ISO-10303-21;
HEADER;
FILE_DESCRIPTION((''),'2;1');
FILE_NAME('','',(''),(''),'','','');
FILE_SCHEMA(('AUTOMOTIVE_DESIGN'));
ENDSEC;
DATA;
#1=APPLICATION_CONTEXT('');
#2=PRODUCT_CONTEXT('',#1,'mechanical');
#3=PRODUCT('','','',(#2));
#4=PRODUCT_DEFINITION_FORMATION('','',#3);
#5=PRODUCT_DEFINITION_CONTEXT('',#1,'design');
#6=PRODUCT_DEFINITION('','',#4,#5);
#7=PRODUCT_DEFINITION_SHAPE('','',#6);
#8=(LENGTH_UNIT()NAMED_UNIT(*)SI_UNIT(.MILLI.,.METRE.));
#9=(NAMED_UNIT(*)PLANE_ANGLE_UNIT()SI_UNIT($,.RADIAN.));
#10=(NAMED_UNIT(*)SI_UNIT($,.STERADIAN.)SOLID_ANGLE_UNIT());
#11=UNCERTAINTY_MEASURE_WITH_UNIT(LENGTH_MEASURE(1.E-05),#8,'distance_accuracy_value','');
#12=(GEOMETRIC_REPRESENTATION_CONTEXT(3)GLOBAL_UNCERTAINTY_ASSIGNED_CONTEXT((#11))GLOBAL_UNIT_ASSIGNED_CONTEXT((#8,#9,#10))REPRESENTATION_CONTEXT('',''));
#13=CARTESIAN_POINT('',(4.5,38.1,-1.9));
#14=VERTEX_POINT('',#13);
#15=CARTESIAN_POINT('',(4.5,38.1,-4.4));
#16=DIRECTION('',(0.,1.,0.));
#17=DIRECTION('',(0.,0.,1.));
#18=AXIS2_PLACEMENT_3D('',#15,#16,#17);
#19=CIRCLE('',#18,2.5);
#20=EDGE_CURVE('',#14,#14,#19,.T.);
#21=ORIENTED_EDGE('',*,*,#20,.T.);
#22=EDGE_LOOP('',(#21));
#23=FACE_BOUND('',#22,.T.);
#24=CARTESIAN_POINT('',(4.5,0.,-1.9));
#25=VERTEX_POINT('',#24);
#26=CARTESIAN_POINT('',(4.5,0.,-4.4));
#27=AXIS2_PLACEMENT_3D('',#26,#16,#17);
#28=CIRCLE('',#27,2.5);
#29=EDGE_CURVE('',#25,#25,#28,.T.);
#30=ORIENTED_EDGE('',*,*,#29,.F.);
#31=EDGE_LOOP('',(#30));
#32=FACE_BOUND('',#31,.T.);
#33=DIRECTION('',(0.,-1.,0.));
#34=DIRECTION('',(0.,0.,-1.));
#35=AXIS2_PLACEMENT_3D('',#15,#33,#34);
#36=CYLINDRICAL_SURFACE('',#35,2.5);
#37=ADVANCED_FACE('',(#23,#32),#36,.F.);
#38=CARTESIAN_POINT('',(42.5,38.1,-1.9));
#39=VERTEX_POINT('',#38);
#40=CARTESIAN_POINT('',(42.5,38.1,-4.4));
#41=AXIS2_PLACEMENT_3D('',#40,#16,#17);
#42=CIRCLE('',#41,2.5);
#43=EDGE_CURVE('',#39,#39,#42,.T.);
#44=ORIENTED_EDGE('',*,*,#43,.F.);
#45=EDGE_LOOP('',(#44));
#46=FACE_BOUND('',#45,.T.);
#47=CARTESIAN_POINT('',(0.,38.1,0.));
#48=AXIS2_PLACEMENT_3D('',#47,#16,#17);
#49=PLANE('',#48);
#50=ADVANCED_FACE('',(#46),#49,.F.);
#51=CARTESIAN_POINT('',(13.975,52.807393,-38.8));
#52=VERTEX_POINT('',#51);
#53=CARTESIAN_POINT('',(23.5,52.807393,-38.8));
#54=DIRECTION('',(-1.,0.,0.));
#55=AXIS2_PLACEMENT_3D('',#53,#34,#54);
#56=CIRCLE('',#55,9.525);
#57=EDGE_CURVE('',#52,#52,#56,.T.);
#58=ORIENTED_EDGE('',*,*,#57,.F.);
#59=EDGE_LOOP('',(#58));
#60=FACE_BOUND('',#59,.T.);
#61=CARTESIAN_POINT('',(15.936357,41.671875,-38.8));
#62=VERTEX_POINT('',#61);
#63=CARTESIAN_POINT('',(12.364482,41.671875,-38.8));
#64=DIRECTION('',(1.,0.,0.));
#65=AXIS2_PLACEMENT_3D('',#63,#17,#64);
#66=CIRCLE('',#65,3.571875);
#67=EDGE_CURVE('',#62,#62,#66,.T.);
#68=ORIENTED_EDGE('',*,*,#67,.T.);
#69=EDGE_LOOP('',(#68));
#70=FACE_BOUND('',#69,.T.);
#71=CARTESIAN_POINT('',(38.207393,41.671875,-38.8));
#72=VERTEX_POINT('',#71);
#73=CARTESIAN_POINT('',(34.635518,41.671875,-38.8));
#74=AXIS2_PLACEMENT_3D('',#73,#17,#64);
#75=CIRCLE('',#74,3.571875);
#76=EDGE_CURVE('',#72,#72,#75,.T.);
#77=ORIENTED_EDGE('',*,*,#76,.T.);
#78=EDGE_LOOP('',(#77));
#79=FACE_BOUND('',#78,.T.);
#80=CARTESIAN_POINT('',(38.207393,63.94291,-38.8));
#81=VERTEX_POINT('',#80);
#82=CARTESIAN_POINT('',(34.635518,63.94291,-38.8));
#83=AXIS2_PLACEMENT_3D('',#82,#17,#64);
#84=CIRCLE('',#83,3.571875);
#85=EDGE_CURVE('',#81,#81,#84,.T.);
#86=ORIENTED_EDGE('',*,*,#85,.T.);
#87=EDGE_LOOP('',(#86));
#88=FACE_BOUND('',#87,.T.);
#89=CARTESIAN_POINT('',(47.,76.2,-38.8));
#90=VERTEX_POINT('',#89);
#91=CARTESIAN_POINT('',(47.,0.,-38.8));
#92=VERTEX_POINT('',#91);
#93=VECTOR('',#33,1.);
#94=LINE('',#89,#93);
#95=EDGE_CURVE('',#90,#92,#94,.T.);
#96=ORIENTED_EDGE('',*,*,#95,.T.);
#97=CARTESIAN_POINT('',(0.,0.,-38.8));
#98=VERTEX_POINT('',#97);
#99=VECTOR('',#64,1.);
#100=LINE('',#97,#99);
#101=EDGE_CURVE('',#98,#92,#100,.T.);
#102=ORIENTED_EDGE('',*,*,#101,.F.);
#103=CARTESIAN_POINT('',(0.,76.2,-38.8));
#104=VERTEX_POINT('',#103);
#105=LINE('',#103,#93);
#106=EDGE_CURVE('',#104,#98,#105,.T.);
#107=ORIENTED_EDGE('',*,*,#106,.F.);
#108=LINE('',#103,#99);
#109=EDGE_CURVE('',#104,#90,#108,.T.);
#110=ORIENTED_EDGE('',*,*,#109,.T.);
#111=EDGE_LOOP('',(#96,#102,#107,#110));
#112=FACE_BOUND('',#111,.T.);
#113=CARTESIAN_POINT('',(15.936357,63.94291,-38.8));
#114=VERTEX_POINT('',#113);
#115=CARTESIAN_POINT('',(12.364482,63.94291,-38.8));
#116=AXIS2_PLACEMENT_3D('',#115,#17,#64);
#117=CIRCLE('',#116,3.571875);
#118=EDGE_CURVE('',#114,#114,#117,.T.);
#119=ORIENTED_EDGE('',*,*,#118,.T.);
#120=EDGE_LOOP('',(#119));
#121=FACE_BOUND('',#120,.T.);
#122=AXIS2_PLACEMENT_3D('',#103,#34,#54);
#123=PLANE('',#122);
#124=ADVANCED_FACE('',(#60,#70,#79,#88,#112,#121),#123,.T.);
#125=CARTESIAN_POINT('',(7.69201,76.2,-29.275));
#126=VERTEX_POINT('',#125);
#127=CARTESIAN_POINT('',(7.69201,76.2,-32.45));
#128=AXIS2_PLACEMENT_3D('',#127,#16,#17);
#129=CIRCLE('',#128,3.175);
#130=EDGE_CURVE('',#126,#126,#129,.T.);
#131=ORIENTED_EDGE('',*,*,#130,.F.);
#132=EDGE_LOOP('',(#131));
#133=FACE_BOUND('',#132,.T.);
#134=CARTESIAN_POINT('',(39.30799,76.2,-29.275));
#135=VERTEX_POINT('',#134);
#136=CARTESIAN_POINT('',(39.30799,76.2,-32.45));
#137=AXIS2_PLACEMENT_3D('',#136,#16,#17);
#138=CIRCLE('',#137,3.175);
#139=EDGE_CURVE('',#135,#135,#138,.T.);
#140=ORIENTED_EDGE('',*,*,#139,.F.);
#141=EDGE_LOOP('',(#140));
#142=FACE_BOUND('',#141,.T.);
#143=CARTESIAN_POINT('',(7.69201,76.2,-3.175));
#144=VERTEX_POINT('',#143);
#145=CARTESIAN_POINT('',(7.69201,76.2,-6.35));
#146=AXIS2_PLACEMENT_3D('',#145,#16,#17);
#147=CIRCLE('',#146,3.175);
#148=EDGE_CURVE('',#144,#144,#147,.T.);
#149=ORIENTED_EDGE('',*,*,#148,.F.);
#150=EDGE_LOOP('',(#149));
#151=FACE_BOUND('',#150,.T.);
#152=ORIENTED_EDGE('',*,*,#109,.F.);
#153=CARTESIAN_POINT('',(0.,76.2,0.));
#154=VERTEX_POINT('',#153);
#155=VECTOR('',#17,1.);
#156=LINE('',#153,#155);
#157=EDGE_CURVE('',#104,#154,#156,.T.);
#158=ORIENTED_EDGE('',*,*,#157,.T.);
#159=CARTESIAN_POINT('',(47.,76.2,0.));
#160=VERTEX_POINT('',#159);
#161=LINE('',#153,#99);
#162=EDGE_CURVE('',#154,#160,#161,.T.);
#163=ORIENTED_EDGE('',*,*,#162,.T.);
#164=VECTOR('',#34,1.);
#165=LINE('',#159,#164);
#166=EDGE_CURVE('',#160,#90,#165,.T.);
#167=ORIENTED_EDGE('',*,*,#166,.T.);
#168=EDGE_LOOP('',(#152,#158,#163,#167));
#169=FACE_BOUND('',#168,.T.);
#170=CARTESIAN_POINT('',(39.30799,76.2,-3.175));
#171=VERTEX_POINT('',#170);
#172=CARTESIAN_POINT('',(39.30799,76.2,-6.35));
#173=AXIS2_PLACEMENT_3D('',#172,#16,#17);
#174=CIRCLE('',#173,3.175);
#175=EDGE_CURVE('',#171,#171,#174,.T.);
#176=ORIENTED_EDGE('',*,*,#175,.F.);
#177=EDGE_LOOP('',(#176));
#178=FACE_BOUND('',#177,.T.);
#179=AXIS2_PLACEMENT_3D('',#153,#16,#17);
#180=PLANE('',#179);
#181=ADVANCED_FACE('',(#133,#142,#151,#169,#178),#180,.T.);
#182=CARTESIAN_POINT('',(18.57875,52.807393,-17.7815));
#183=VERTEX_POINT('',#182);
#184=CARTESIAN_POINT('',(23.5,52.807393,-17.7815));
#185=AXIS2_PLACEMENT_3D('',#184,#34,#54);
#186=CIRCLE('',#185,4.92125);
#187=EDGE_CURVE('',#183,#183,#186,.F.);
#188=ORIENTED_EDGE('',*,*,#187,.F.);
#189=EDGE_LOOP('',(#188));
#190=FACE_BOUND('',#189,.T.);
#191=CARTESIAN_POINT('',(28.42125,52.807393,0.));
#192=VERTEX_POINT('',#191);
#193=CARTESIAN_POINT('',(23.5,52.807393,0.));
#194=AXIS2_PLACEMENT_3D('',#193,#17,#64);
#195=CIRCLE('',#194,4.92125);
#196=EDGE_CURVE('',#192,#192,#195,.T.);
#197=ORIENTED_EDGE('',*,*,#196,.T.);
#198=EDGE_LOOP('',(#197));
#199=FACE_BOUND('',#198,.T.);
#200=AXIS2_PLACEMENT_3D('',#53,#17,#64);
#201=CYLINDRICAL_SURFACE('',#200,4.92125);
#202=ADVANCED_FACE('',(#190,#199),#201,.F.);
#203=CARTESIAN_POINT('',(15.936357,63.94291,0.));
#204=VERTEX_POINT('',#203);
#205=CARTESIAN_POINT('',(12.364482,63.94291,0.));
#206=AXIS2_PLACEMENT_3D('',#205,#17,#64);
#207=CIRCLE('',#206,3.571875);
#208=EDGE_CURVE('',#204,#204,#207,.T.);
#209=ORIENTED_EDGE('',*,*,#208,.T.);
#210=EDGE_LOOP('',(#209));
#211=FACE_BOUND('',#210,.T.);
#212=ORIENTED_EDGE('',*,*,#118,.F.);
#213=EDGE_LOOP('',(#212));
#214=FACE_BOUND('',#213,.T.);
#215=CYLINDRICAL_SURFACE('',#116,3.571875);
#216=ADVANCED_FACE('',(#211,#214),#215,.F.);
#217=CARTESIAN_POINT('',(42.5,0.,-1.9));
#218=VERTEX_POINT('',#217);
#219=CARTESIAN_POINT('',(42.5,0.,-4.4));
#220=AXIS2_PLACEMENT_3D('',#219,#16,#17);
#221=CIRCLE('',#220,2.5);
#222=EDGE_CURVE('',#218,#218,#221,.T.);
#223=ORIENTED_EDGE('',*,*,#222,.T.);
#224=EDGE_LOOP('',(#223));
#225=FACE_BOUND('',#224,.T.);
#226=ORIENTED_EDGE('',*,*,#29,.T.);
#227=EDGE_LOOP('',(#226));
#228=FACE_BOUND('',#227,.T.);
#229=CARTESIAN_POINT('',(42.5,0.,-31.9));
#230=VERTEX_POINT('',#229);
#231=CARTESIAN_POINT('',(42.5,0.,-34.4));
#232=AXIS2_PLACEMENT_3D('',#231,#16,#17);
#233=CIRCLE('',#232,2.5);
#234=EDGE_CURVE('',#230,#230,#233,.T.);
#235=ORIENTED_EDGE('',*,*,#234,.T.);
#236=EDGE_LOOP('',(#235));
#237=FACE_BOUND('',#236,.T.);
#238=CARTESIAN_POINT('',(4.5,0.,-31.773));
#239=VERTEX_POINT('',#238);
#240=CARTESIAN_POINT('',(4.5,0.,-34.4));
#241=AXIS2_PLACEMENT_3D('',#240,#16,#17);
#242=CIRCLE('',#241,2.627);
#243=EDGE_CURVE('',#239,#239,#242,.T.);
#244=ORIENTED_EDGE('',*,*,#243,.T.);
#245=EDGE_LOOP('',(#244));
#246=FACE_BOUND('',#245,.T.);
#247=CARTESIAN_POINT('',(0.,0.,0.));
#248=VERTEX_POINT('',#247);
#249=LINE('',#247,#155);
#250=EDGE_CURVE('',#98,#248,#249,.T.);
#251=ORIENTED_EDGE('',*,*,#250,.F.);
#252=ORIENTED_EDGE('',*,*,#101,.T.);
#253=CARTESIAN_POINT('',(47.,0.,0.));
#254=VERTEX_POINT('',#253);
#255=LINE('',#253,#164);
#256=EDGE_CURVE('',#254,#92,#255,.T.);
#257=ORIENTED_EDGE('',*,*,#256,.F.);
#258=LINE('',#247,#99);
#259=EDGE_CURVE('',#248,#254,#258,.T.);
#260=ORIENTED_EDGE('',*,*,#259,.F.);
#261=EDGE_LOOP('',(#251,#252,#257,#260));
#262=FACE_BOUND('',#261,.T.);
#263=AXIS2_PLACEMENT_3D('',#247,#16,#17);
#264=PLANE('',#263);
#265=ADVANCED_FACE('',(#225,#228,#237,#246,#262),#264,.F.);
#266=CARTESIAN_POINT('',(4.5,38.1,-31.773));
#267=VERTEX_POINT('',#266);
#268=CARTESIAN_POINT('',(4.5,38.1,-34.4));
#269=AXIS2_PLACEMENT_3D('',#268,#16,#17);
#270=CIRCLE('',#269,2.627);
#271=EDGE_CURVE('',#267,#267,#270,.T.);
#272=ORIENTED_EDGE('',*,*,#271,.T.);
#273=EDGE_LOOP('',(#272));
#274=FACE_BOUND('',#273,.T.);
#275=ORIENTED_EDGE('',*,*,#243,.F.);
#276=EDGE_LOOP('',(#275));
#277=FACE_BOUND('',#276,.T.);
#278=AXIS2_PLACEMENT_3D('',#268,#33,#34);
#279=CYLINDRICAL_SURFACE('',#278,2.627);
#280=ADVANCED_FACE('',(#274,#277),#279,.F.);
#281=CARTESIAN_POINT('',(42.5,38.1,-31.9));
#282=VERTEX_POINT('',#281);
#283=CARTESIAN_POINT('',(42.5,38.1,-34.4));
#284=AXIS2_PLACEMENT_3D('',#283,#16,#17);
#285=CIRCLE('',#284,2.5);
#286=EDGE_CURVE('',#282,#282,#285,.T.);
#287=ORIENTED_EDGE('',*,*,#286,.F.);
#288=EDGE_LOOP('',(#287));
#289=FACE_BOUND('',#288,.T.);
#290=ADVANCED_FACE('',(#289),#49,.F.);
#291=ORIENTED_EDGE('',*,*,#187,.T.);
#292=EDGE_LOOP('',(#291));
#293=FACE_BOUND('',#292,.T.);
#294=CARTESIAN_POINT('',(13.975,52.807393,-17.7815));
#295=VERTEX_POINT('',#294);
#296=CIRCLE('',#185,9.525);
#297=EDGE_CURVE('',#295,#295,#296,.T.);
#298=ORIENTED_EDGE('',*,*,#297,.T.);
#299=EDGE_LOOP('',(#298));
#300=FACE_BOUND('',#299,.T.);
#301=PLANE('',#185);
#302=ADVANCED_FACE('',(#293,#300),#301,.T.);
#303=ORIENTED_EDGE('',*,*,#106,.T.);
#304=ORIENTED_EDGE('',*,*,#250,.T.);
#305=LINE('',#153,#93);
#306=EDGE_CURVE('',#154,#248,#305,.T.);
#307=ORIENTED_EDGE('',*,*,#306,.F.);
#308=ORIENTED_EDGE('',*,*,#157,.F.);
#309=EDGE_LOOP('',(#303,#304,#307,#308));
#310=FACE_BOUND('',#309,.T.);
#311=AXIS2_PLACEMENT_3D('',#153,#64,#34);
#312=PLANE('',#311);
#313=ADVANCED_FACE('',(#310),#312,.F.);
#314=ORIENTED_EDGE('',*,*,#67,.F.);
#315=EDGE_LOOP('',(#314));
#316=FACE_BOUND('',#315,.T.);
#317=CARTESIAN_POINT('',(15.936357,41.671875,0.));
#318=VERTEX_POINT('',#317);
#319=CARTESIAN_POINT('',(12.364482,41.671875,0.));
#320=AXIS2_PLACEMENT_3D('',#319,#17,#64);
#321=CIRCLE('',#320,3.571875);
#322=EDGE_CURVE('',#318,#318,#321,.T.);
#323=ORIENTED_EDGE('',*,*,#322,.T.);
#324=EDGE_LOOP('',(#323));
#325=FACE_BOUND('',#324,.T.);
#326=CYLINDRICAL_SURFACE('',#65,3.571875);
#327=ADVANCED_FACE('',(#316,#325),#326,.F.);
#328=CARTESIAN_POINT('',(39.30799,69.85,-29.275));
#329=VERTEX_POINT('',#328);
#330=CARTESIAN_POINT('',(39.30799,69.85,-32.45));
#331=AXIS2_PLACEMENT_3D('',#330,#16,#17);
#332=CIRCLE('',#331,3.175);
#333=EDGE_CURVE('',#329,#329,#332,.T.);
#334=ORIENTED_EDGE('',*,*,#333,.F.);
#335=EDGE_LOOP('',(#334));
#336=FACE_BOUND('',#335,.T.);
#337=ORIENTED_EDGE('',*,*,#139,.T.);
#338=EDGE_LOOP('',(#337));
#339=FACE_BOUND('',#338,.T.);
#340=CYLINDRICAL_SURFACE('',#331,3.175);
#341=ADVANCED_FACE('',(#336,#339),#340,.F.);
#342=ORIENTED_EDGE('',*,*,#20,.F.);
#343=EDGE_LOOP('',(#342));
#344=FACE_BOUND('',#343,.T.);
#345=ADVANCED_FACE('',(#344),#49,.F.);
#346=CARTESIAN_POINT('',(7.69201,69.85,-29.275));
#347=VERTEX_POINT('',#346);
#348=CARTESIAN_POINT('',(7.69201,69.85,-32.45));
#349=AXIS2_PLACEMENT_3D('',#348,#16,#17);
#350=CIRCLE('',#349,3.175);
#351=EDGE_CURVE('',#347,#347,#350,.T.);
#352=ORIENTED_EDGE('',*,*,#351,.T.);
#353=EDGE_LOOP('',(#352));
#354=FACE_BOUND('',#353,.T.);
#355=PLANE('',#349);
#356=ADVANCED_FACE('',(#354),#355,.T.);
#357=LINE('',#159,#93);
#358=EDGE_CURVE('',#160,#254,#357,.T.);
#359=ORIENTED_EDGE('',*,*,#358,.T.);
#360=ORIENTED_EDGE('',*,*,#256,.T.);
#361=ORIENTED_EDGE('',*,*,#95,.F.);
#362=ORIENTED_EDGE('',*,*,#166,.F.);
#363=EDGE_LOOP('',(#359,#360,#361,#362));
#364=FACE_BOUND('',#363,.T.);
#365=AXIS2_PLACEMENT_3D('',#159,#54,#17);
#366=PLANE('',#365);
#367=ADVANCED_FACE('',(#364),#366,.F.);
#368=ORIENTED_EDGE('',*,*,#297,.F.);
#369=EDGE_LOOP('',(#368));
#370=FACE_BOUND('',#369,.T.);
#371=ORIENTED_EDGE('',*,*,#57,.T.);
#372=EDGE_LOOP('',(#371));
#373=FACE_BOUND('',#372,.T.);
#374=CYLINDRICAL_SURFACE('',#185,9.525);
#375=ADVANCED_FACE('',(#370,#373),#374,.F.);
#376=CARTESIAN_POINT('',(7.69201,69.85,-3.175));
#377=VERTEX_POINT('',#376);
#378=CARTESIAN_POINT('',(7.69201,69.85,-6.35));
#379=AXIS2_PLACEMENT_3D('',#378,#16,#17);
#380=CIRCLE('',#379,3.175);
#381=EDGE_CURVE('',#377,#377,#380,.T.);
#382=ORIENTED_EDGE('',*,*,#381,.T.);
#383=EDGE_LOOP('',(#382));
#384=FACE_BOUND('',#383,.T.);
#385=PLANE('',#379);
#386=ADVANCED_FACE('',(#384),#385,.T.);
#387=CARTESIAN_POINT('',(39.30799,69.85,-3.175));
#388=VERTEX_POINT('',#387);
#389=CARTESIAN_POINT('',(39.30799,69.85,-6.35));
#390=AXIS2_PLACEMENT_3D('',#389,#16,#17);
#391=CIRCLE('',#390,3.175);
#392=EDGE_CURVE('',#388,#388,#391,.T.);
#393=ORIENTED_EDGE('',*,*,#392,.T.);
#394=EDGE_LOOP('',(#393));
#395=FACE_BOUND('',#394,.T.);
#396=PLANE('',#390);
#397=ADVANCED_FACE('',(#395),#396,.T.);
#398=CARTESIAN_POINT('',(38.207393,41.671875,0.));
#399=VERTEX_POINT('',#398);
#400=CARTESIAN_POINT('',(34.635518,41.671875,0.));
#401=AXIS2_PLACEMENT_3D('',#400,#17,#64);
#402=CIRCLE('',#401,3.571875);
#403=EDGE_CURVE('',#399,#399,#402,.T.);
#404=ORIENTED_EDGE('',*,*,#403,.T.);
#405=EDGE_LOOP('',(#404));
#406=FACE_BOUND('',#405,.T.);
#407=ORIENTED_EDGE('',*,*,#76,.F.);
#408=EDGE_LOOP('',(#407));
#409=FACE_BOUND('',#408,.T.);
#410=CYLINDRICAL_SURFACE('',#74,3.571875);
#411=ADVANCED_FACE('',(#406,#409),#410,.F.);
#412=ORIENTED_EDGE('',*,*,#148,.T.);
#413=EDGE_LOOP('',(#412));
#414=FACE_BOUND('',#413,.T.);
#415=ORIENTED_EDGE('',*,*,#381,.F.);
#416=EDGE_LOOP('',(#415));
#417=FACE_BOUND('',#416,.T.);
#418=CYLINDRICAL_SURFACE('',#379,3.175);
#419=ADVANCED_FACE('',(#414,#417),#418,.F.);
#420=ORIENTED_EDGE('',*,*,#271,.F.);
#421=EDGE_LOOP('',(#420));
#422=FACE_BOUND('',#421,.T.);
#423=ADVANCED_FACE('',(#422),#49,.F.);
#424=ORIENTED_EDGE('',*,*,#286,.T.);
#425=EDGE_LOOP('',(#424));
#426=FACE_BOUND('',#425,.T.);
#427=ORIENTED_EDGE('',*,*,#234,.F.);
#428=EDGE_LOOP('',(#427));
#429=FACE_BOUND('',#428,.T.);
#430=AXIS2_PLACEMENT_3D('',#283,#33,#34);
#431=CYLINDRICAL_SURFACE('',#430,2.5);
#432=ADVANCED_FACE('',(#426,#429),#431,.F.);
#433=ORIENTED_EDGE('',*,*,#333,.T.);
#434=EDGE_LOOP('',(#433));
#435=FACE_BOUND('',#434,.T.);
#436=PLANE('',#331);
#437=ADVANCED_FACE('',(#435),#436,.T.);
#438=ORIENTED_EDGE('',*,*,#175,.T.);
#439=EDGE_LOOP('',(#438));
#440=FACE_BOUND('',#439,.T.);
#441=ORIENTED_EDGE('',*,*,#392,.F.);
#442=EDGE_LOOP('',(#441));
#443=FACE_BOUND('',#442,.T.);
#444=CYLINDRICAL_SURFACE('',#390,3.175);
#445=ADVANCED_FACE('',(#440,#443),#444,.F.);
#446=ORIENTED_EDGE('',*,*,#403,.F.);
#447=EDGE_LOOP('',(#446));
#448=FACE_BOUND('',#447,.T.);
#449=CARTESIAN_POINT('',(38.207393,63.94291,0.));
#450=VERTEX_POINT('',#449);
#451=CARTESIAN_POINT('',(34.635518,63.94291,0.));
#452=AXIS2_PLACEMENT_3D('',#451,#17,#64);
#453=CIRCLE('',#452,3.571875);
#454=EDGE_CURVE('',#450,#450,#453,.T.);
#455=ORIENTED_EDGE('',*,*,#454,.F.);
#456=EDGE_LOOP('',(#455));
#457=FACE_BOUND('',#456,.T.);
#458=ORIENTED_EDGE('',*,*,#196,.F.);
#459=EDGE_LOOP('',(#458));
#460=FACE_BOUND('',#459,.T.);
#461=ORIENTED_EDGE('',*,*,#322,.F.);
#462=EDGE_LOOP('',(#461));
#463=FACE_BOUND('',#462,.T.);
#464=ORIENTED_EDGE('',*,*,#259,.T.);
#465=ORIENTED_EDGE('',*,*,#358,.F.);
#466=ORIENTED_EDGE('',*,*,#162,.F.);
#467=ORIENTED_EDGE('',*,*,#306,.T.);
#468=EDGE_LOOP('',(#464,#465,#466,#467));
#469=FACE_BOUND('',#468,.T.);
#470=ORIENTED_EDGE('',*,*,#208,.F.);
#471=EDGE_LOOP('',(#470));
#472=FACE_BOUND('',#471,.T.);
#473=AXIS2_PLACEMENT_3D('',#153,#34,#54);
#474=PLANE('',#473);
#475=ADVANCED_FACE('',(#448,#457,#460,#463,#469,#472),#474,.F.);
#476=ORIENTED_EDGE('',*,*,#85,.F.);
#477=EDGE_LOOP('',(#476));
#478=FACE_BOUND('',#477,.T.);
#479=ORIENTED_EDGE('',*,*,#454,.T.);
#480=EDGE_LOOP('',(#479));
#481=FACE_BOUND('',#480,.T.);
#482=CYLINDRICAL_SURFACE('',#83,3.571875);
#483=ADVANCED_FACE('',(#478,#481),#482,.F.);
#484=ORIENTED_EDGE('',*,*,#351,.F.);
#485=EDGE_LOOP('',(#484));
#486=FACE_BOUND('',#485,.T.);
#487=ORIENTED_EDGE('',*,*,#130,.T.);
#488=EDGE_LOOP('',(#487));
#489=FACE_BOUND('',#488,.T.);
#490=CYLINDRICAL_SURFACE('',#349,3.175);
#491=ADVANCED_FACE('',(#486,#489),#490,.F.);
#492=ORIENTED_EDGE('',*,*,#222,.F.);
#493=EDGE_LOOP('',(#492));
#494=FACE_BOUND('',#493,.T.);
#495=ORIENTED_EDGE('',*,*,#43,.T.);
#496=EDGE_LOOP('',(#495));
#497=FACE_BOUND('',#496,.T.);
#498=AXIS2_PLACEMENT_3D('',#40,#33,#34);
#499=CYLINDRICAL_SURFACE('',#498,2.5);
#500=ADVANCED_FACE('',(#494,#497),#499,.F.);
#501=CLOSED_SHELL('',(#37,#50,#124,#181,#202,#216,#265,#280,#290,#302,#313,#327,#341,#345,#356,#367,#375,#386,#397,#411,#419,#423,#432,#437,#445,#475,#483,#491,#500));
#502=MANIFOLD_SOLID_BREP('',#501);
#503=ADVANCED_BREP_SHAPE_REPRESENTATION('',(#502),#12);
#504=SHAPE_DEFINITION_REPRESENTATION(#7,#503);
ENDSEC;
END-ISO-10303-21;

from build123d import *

# Parameters (mm, degrees)
SKETCH1_W           = 47
SKETCH1_H           = 38.8
BOSS_EXTRUDE1_DEPTH = 76.2
SKETCH2_R           = 3.571875
SKETCH2_R_2         = 4.92125
CUT_EXTRUDE1_DEPTH  = 98.574996797
SKETCH1_8_R         = 2.5
SKETCH1_8_R_2       = 2.627
CUT_EXTRUDE2_DEPTH  = 38.1
SKETCH4_R           = 9.525
CUT_EXTRUDE4_DEPTH  = 21.0185
SKETCH5_R           = 3.175
CUT_EXTRUDE5_DEPTH  = 6.35


with BuildPart() as part:
    # Sketch1 → Boss-Extrude1 (new body)
    with BuildSketch(Plane(origin=(0, 0, 0), x_dir=(1, 0, 0), z_dir=(0, 1, 0))):
        with Locations((23.5, 19.4)):
            Rectangle(SKETCH1_W, SKETCH1_H)
    extrude(amount=BOSS_EXTRUDE1_DEPTH)

    # Sketch2 → Cut-Extrude1 (cut, through all)
    with BuildSketch(Plane.XY):
        with Locations((34.63551759, 63.94291018)):
            Circle(SKETCH2_R)
        with Locations((34.63551759, 41.671875)):
            Circle(SKETCH2_R)
        with Locations((12.36448241, 41.671875)):
            Circle(SKETCH2_R)
        with Locations((12.36448241, 63.94291018)):
            Circle(SKETCH2_R)
        with Locations((23.5, 52.80739259)):
            Circle(SKETCH2_R_2)
    extrude(amount=-CUT_EXTRUDE1_DEPTH, mode=Mode.SUBTRACT)

    # Sketch1<8> → Cut-Extrude2 (cut)
    with BuildSketch(Plane(origin=(0, 0, 0), x_dir=(1, 0, 0), z_dir=(0, 1, 0))):
        with Locations((42.5, 34.4)):
            Circle(SKETCH1_8_R)
        with Locations((42.5, 4.4)):
            Circle(SKETCH1_8_R)
        with Locations((4.5, 4.4)):
            Circle(SKETCH1_8_R)
        with Locations((4.5, 34.4)):
            Circle(SKETCH1_8_R_2)
    extrude(amount=CUT_EXTRUDE2_DEPTH, mode=Mode.SUBTRACT)

    # Sketch4 → Cut-Extrude4 (cut)
    with BuildSketch(Plane(origin=(0, 0, -38.8), x_dir=(-1, 0, 0), z_dir=(0, 0, -1))):
        with Locations((-23.5, 52.80739259)):
            Circle(SKETCH4_R)
    extrude(amount=-CUT_EXTRUDE4_DEPTH, mode=Mode.SUBTRACT)

    # Sketch5 → Cut-Extrude5 (cut)
    with BuildSketch(Plane(origin=(0, 76.2, 0), x_dir=(1, 0, 0), z_dir=(0, 1, 0))):
        with Locations((7.692010309, 32.45)):
            Circle(SKETCH5_R)
        with Locations((39.307989691, 32.45)):
            Circle(SKETCH5_R)
        with Locations((39.307989691, 6.35)):
            Circle(SKETCH5_R)
        with Locations((7.692010309, 6.35)):
            Circle(SKETCH5_R)
    extrude(amount=-CUT_EXTRUDE5_DEPTH, mode=Mode.SUBTRACT)


solid = part.part
